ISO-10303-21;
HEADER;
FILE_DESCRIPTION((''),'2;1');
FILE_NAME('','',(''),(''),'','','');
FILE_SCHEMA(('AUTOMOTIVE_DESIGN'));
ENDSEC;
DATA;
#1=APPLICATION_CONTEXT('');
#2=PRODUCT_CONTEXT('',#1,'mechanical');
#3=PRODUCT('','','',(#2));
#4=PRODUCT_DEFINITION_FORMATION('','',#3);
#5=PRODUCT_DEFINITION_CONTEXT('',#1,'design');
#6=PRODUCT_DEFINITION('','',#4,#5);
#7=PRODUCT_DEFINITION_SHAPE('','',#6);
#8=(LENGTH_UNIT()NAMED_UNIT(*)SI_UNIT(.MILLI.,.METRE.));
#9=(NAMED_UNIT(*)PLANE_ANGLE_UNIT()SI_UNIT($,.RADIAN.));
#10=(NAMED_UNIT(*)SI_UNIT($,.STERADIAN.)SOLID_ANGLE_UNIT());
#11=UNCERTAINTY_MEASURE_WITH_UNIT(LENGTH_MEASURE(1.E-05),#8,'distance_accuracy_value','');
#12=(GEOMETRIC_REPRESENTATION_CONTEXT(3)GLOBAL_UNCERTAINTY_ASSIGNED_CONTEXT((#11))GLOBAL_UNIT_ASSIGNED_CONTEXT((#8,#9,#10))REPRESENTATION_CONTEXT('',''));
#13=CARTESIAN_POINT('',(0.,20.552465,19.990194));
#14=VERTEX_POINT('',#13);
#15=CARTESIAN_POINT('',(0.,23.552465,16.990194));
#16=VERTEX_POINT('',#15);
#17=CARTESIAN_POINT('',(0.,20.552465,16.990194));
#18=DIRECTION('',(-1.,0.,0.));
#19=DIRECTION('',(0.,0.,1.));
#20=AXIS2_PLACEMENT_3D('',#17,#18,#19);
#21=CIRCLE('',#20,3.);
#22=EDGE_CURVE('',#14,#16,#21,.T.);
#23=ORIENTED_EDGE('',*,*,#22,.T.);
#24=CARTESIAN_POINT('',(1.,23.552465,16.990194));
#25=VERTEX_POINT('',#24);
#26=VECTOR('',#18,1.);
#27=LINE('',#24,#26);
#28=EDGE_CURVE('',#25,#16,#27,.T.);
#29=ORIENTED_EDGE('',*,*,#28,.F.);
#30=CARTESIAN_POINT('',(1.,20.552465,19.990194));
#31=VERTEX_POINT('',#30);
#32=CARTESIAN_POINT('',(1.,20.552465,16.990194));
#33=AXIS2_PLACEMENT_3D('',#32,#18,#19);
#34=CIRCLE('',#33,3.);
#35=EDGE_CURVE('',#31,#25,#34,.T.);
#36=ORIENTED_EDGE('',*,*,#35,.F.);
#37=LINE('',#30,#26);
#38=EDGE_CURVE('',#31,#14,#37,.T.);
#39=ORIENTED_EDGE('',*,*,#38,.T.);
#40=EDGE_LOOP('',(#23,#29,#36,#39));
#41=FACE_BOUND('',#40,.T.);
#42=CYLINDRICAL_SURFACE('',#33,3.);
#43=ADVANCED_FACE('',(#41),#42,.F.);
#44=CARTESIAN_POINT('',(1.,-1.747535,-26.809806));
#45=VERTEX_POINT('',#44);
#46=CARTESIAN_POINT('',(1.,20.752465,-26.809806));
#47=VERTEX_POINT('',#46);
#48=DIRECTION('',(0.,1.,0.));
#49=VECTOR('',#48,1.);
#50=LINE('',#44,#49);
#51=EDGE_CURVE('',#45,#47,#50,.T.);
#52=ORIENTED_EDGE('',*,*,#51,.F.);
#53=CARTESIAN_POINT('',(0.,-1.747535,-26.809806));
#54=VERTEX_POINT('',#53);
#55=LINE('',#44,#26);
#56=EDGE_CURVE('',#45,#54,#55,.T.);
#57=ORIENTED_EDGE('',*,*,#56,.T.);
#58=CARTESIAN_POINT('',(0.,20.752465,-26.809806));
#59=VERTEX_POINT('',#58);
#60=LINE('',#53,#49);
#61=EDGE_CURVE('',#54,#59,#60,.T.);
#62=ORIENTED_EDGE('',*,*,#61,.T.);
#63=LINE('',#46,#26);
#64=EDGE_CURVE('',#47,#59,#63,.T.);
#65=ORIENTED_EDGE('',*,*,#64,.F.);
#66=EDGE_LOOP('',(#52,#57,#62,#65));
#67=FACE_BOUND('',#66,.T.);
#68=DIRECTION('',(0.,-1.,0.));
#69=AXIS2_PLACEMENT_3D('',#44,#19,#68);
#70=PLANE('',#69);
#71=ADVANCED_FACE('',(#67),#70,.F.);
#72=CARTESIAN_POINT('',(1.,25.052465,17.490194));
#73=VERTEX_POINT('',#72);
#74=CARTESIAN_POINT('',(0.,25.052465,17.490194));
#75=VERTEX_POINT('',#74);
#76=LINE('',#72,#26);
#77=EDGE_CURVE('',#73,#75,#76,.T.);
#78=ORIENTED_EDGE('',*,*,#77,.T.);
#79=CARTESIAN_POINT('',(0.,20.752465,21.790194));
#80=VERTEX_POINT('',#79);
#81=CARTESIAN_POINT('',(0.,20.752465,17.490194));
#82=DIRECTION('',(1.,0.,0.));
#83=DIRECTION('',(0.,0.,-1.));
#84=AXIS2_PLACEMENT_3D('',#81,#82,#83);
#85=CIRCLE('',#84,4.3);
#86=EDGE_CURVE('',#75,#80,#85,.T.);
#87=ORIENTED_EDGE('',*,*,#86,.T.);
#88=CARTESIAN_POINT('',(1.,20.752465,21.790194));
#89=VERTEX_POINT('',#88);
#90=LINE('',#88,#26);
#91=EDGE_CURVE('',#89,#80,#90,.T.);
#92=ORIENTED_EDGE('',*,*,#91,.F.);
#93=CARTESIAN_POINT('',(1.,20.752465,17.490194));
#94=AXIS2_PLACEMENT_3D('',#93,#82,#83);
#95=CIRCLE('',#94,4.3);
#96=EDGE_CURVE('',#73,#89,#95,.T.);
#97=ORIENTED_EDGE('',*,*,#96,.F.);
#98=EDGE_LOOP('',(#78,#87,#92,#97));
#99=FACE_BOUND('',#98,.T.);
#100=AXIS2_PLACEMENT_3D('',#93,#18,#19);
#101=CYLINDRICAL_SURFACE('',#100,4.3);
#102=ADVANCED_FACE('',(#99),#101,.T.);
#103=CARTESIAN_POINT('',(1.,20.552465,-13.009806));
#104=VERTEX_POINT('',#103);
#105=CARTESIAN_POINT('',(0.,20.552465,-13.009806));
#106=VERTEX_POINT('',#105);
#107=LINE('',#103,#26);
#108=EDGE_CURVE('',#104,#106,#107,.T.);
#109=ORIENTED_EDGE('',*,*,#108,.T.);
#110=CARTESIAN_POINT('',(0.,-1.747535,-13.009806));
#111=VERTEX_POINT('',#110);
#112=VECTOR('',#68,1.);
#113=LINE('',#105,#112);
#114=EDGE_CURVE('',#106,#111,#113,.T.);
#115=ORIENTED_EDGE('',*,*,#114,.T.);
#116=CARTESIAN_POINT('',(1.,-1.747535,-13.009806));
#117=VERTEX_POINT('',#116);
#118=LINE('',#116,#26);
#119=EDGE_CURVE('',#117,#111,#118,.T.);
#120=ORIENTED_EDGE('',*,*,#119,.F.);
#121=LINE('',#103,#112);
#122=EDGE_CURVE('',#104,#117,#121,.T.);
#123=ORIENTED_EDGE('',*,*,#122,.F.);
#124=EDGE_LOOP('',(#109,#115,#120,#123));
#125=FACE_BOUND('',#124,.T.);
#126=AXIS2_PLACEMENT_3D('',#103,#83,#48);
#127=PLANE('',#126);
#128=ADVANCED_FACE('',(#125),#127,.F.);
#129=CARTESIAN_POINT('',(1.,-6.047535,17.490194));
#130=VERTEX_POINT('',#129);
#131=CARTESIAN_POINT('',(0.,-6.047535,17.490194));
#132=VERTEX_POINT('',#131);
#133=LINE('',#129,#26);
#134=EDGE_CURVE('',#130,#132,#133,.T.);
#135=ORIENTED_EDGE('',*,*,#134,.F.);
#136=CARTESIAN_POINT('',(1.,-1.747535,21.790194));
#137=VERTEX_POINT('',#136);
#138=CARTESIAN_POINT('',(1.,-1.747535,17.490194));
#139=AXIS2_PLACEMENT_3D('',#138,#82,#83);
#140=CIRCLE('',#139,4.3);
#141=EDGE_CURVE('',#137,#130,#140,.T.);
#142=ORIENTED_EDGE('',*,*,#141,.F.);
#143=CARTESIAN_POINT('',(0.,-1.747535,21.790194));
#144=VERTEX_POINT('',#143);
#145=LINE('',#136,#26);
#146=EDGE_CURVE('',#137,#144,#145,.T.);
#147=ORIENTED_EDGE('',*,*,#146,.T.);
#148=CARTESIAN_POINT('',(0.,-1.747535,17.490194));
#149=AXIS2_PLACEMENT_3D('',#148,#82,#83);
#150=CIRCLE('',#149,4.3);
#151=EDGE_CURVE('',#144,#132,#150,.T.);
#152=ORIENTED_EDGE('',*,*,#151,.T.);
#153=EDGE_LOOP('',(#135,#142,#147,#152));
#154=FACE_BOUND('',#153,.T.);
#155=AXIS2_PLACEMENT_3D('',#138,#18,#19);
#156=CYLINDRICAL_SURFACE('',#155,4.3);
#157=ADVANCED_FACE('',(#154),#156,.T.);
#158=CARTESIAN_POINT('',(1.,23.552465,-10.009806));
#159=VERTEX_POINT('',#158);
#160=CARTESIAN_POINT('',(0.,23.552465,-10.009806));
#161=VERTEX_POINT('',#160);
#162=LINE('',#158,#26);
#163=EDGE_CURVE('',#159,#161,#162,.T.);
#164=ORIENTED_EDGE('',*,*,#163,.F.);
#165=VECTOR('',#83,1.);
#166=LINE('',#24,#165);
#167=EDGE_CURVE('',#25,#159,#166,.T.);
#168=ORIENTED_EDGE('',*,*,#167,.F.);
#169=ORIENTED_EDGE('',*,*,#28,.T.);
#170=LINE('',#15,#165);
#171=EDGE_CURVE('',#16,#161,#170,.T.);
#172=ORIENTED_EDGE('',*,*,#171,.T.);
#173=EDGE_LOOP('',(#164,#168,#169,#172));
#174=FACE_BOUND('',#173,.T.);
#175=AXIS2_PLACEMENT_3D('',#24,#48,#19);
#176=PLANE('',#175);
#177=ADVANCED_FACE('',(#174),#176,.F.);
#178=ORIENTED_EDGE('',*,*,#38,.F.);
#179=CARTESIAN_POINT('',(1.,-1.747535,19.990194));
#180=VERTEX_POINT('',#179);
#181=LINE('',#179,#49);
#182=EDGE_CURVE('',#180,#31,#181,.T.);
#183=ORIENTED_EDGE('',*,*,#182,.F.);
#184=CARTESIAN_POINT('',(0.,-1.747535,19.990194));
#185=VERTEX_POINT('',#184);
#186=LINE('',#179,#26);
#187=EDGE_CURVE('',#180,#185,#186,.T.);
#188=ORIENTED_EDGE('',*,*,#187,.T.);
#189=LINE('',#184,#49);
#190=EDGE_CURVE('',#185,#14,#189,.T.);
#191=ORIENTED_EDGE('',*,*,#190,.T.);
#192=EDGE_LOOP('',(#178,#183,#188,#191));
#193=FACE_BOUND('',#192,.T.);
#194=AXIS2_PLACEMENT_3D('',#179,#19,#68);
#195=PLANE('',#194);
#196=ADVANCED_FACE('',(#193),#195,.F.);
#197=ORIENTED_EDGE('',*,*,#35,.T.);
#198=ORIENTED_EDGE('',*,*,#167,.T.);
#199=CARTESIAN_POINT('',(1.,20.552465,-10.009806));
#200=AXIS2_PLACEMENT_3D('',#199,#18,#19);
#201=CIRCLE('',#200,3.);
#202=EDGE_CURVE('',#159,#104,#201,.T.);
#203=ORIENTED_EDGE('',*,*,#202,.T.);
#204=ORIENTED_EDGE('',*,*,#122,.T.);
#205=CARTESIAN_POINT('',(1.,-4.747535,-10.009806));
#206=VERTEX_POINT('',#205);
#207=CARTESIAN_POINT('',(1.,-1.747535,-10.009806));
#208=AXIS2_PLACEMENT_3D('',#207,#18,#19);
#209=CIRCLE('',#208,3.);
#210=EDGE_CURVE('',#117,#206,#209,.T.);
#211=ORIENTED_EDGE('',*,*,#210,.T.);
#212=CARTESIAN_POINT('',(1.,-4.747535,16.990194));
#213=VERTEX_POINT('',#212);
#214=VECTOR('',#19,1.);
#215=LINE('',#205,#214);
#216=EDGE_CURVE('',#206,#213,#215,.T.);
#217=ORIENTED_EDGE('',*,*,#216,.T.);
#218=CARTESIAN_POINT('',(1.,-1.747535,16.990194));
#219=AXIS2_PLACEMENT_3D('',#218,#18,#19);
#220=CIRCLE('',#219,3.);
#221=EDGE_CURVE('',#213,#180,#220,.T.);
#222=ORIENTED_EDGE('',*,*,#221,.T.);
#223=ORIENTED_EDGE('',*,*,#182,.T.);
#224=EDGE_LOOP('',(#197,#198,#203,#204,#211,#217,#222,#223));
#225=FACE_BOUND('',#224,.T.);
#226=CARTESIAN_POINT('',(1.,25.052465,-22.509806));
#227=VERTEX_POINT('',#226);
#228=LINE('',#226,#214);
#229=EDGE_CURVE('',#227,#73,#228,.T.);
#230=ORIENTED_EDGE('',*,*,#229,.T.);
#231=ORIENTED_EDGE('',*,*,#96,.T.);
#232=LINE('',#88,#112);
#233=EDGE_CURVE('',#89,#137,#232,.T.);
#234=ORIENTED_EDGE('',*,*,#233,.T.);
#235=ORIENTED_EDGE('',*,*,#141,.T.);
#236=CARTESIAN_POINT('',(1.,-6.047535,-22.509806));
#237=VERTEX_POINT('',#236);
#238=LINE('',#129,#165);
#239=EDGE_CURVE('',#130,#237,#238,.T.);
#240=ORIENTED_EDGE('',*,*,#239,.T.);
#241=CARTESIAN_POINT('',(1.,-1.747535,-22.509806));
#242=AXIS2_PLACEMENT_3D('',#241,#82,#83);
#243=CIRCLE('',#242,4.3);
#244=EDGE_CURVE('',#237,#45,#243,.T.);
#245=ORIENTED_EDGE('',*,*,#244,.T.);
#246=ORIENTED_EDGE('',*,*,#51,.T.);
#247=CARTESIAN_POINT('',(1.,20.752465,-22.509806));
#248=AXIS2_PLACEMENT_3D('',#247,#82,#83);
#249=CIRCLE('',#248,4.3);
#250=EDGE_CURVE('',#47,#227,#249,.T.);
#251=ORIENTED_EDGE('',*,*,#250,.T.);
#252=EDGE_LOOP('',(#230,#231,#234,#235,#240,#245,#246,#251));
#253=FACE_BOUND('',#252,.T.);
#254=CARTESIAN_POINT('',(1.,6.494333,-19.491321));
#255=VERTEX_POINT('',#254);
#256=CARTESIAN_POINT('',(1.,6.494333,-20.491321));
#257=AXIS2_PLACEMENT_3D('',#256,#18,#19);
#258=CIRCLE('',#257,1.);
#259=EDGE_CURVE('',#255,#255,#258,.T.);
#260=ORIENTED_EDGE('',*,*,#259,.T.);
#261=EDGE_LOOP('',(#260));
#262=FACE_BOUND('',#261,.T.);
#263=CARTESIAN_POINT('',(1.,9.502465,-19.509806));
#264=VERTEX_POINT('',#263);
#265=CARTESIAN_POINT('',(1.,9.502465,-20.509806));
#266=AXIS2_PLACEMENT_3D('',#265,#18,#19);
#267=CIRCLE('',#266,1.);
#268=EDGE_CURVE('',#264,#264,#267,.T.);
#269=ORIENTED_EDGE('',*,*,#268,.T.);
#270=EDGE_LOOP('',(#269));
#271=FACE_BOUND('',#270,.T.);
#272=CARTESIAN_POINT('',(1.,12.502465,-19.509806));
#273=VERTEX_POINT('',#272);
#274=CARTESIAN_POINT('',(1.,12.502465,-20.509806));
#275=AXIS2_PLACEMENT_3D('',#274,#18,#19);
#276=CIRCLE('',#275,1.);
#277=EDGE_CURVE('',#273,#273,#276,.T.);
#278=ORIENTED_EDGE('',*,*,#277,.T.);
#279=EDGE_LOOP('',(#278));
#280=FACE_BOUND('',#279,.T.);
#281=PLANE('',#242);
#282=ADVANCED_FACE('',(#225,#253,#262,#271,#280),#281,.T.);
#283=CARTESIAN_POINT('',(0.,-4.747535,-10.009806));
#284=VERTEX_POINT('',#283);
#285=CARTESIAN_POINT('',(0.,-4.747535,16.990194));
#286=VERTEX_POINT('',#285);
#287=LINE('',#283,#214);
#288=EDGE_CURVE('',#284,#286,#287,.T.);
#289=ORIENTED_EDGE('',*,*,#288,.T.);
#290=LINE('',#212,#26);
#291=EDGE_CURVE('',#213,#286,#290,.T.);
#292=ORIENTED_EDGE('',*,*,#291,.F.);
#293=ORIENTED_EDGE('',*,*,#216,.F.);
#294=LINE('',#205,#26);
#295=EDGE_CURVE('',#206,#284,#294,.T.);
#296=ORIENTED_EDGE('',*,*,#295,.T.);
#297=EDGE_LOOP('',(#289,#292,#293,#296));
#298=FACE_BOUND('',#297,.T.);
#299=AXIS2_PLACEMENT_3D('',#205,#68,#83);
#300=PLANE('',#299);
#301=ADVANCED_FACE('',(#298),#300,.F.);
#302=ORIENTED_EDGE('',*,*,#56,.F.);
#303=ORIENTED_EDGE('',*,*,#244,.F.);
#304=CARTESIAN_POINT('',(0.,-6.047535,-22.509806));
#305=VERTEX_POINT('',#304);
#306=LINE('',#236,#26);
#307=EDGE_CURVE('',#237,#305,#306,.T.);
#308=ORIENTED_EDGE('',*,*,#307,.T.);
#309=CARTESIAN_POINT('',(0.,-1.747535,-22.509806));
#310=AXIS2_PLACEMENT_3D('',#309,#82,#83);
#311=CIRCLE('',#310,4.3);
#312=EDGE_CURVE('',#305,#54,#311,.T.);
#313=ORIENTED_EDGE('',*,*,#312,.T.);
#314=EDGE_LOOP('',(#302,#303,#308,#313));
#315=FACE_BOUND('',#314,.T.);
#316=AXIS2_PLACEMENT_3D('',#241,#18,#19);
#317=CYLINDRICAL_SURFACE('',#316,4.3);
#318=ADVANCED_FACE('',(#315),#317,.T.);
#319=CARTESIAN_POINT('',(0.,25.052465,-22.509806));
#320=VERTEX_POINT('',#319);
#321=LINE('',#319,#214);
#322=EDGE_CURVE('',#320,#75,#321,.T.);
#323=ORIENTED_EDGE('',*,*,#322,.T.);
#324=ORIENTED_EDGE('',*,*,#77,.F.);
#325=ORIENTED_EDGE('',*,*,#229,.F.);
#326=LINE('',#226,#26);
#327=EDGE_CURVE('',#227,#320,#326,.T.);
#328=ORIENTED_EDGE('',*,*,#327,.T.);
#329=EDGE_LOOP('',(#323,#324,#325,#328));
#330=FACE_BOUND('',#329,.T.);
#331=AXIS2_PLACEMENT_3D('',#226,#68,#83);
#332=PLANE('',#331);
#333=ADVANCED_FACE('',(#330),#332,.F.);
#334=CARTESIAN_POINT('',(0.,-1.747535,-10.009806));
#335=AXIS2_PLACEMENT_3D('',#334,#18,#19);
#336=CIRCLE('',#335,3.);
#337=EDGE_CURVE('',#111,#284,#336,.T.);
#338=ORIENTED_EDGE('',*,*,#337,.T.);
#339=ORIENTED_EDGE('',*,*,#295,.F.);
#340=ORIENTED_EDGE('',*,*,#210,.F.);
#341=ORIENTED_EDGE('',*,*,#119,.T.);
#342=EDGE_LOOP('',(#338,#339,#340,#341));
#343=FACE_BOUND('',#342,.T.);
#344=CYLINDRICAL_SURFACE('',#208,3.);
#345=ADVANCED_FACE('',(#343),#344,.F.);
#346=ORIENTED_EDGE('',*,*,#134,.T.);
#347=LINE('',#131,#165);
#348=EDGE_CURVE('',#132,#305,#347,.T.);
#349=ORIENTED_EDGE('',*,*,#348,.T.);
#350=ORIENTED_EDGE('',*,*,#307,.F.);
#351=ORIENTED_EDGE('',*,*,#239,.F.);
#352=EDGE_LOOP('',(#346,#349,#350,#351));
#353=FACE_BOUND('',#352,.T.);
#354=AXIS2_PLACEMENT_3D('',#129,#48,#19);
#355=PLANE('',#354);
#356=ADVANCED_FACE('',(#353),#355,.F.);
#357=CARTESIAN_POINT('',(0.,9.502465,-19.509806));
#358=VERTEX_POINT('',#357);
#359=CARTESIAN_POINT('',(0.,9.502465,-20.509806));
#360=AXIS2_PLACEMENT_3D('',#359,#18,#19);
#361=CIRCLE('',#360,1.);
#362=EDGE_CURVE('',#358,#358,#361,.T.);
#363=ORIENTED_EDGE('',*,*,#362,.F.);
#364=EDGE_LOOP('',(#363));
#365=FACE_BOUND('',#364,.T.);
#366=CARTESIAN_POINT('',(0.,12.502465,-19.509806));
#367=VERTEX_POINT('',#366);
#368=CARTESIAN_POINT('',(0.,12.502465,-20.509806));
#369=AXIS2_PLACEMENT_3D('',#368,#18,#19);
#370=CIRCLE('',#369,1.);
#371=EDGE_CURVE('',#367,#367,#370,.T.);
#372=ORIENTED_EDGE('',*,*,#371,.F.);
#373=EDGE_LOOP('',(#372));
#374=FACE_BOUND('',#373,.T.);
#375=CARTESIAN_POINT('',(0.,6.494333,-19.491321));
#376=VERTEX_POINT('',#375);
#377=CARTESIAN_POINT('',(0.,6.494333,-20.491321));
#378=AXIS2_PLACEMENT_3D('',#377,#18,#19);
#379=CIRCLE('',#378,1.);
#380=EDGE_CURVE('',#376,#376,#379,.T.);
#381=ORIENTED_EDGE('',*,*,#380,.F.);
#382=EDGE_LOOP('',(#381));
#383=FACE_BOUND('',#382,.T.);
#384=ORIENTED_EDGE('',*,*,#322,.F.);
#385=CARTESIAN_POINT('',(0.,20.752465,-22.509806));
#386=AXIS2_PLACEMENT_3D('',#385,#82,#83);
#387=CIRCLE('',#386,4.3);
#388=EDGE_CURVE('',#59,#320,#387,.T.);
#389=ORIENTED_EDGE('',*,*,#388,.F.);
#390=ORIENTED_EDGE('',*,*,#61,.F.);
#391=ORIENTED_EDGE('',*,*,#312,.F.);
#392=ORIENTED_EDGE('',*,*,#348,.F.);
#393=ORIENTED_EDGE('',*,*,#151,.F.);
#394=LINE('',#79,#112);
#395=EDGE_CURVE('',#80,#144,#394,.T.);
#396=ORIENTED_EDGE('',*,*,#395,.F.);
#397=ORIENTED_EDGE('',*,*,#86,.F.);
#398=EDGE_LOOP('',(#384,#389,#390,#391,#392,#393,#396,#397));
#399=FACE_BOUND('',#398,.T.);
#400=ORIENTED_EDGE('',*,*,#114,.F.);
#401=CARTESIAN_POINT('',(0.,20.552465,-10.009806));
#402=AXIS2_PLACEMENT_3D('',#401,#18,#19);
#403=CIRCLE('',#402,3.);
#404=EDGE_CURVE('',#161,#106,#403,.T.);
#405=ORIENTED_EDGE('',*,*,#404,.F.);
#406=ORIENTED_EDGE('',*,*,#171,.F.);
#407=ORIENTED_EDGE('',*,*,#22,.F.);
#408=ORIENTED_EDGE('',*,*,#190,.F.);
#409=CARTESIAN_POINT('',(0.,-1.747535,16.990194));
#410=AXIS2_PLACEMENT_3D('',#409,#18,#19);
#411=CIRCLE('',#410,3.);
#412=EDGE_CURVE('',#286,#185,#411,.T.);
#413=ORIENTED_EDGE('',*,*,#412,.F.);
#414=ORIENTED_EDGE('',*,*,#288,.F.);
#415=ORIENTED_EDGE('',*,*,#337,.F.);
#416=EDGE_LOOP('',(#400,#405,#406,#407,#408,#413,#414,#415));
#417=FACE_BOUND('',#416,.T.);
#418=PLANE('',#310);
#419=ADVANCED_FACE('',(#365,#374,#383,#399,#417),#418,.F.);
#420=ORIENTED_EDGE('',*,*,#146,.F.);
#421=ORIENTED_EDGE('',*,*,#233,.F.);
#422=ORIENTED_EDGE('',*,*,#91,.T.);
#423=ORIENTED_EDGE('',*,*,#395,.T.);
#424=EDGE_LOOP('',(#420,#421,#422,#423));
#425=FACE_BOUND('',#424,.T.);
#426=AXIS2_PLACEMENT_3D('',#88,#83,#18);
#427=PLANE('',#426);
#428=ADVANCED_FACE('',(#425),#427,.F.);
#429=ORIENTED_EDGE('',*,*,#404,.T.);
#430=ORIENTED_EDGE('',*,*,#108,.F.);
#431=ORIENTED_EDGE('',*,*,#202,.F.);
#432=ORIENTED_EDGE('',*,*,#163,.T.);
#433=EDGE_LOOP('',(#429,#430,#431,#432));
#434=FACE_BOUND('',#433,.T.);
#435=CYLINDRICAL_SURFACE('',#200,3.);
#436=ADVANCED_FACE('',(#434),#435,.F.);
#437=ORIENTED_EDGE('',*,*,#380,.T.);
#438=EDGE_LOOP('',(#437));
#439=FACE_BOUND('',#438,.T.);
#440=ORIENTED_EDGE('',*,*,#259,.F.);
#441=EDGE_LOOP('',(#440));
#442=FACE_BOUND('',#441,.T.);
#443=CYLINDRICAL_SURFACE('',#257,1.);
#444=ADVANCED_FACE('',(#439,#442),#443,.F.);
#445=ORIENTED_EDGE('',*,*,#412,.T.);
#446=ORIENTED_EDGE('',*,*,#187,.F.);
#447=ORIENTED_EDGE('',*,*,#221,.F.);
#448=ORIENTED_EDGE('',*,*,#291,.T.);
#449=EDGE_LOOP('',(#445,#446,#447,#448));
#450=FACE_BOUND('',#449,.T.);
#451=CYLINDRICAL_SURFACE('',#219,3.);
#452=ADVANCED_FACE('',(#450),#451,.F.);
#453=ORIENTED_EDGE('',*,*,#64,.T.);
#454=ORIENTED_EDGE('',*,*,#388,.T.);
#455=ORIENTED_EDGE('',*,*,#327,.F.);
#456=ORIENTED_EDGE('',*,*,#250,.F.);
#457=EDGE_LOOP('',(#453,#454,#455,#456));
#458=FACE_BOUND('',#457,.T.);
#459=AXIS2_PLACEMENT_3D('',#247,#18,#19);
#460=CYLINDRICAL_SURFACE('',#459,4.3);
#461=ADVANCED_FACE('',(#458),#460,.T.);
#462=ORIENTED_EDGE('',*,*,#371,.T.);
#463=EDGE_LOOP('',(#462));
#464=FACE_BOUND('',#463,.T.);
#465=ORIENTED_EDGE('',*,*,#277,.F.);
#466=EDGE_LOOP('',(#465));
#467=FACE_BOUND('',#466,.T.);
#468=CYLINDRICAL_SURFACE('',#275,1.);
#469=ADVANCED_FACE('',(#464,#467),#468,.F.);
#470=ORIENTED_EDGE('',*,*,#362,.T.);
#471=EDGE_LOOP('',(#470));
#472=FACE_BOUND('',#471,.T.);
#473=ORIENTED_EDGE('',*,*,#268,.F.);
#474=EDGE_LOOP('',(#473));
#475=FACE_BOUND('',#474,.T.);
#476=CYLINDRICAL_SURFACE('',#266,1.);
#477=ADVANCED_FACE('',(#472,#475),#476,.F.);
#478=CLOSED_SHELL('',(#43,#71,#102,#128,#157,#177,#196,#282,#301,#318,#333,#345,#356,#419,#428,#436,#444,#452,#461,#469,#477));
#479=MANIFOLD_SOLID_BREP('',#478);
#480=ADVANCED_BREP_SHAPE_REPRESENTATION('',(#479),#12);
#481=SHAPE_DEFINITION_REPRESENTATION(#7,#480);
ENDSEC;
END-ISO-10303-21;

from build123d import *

# Parameters (mm, degrees)
EXTRUDE_1_DEPTH     = 1
CUT_EXTRUDE_1_DEPTH = 2
SKETCH_3_R          = 1
CUT_EXTRUDE_2_DEPTH = 2


with BuildPart() as part:
    # 草图1 → 凸台-拉伸1 (new body)
    with BuildSketch(Plane(origin=(0, 0, 0), x_dir=(0, 0, -1), z_dir=(1, 0, 0))):
        with BuildLine():
            Line((26.809806157, -1.747534601), (26.809806157, 20.752465399))
            ThreePointArc((26.809806157, 20.752465399), (25.550365316, 23.793024558), (22.509806157, 25.052465399))
            Line((22.509806157, 25.052465399), (-17.490193843, 25.052465399))
            ThreePointArc((-17.490193843, 25.052465399), (-20.530753002, 23.793024558), (-21.790193843, 20.752465399))
            Line((-21.790193843, 20.752465399), (-21.790193843, -1.747534601))
            ThreePointArc((-21.790193843, -1.747534601), (-20.530753002, -4.78809376), (-17.490193843, -6.047534601))
            Line((-17.490193843, -6.047534601), (22.509806157, -6.047534601))
            ThreePointArc((22.509806157, -6.047534601), (25.550365316, -4.78809376), (26.809806157, -1.747534601))
        make_face()
    extrude(amount=EXTRUDE_1_DEPTH)

    # 草图2 → 切除-拉伸1 (cut, through all)
    with BuildSketch(Plane.ZY):
        with BuildLine():
            Line((-13.009806157, 20.552465399), (-13.009806157, -1.747534601))
            ThreePointArc((-13.009806157, -1.747534601), (-12.131126501, -3.868854944), (-10.009806157, -4.747534601))
            Line((-10.009806157, -4.747534601), (16.990193843, -4.747534601))
            ThreePointArc((16.990193843, -4.747534601), (19.111514186, -3.868854944), (19.990193843, -1.747534601))
            Line((19.990193843, -1.747534601), (19.990193843, 20.552465399))
            ThreePointArc((19.990193843, 20.552465399), (19.111514186, 22.673785743), (16.990193843, 23.552465399))
            Line((16.990193843, 23.552465399), (-10.009806157, 23.552465399))
            ThreePointArc((-10.009806157, 23.552465399), (-12.131126501, 22.673785743), (-13.009806157, 20.552465399))
        make_face()
    extrude(amount=-CUT_EXTRUDE_1_DEPTH, mode=Mode.SUBTRACT)

    # 草图3 → 切除-拉伸2 (cut, through all)
    with BuildSketch(Plane.ZY):
        with Locations((-20.491320576, 6.494332556)):
            Circle(SKETCH_3_R)
        with Locations((-20.509806157, 9.502465399)):
            Circle(SKETCH_3_R)
        with Locations((-20.509806157, 12.502465399)):
            Circle(SKETCH_3_R)
    extrude(amount=-CUT_EXTRUDE_2_DEPTH, mode=Mode.SUBTRACT)


solid = part.part
